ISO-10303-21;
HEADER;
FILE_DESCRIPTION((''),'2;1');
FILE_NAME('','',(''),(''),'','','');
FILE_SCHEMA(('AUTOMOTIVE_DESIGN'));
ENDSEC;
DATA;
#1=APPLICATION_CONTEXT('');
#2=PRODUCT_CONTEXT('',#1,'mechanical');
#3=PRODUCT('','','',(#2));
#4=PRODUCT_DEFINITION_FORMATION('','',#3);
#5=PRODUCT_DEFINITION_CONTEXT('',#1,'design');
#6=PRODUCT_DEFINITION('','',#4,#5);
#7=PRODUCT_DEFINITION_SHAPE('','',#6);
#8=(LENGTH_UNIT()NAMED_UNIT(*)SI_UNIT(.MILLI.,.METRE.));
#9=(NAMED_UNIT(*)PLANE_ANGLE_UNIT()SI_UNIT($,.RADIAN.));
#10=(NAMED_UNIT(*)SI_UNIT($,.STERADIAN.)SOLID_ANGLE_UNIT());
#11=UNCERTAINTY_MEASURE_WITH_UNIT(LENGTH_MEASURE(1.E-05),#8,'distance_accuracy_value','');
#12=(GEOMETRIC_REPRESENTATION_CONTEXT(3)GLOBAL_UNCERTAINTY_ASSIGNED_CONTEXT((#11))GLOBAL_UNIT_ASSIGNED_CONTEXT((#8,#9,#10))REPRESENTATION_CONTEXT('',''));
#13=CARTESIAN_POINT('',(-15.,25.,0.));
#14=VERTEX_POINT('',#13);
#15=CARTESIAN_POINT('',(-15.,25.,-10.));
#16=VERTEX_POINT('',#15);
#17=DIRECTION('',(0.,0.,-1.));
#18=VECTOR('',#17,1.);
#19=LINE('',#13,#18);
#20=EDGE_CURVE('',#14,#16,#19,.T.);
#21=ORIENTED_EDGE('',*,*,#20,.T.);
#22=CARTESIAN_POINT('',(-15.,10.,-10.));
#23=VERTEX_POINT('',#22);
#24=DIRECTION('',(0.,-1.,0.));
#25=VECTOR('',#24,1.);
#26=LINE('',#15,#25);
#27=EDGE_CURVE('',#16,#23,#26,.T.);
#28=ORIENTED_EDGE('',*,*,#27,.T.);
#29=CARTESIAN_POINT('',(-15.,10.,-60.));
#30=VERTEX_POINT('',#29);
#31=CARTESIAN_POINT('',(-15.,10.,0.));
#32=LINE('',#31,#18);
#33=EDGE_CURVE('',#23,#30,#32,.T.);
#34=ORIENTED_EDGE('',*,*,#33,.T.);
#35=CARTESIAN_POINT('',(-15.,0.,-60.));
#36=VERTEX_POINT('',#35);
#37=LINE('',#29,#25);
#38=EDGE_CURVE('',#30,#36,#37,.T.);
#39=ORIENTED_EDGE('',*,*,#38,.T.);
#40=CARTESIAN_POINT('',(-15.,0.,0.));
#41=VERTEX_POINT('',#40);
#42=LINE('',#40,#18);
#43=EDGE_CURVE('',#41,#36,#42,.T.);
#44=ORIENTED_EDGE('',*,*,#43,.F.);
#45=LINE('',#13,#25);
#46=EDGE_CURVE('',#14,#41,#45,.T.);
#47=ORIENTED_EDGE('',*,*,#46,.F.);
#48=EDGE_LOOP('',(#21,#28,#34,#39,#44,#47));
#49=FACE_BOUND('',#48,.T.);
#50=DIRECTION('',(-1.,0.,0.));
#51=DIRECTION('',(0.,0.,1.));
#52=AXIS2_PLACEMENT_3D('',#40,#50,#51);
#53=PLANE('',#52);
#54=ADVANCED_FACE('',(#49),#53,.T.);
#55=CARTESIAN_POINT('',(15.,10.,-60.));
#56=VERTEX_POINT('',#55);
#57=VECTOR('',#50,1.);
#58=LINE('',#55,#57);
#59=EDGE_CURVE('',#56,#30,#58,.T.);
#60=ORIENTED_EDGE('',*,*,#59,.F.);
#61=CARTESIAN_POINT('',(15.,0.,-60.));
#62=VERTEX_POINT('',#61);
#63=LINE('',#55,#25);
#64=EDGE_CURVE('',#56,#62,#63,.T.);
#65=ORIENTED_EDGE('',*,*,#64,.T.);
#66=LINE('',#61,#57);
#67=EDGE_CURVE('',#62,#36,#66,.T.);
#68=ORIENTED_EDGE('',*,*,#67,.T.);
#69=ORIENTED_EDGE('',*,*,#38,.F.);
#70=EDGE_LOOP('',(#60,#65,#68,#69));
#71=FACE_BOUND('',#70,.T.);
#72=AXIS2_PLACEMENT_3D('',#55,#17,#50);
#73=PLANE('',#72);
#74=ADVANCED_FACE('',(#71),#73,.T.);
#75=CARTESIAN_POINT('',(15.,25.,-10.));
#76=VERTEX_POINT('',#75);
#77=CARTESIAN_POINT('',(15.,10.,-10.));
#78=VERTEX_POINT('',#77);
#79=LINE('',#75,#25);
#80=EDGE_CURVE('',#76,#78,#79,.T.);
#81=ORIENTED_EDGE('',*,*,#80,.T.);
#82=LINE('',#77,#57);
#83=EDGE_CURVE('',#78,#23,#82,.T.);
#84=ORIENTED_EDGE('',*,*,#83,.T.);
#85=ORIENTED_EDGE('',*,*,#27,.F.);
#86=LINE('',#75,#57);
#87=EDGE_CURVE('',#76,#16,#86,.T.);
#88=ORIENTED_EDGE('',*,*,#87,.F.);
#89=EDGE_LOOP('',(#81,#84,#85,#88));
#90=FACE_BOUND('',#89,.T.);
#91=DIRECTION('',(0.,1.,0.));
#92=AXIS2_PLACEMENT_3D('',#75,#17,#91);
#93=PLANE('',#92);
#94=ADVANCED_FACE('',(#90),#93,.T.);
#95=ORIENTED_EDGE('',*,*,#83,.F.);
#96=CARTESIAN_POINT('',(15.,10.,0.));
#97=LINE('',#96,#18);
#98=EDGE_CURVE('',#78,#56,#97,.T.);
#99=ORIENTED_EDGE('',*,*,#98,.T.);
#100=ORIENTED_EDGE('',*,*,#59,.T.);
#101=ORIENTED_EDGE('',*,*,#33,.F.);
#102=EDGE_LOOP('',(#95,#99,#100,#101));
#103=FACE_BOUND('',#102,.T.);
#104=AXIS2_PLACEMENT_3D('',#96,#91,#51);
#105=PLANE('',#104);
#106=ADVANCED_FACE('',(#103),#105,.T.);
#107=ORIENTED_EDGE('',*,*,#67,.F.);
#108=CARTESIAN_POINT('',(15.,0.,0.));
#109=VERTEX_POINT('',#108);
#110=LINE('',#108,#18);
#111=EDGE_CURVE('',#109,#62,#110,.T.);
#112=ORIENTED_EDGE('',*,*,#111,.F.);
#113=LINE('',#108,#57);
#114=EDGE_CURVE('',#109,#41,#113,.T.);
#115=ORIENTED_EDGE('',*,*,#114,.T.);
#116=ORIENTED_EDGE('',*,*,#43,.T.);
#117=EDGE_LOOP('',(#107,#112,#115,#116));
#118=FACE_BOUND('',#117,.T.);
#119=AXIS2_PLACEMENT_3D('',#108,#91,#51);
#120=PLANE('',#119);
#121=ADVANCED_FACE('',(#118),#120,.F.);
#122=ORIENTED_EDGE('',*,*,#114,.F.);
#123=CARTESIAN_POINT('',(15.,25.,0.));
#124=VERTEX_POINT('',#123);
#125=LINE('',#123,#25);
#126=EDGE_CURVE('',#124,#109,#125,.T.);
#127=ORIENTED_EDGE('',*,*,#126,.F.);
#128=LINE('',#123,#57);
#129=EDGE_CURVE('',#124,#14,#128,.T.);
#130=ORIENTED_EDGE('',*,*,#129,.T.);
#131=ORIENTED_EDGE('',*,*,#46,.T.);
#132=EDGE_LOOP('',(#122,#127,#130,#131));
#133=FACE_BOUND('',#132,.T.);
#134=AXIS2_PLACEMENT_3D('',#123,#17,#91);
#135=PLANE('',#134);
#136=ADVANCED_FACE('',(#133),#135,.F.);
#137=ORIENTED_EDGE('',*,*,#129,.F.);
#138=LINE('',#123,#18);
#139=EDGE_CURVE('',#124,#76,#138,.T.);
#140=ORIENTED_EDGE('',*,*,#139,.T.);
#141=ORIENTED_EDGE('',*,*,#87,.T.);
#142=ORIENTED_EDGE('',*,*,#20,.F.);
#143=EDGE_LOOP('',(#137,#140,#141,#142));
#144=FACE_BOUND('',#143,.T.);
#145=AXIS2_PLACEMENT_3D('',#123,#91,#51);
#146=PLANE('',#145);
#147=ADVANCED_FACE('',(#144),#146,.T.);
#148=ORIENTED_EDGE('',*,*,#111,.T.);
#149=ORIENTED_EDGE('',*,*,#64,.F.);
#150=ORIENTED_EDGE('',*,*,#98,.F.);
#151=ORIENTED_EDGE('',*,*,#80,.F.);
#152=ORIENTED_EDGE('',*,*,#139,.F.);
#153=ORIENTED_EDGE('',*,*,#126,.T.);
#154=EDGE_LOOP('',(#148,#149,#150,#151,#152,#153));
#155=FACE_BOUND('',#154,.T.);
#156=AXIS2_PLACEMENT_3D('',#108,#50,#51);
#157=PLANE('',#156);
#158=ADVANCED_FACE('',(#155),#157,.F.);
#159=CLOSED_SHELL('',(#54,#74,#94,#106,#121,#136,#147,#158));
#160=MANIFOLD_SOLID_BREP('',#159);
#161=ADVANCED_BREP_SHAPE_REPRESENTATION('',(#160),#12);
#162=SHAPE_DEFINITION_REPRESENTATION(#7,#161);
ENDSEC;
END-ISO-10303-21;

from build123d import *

# Parameters (mm, degrees)
EXTRUDE_THIN1_DEPTH = 15


with BuildPart() as part:
    # Sketch1 → Extrude-Thin1 (new, symmetric)
    with BuildSketch(Plane(origin=(0, 0, 0), x_dir=(0, 0, -1), z_dir=(1, 0, 0))):
        Polygon((0, 25), (0, 0), (60, 0), (60, 10), (10, 10), (10, 25), align=None)
    extrude(amount=EXTRUDE_THIN1_DEPTH, both=True)


solid = part.part
